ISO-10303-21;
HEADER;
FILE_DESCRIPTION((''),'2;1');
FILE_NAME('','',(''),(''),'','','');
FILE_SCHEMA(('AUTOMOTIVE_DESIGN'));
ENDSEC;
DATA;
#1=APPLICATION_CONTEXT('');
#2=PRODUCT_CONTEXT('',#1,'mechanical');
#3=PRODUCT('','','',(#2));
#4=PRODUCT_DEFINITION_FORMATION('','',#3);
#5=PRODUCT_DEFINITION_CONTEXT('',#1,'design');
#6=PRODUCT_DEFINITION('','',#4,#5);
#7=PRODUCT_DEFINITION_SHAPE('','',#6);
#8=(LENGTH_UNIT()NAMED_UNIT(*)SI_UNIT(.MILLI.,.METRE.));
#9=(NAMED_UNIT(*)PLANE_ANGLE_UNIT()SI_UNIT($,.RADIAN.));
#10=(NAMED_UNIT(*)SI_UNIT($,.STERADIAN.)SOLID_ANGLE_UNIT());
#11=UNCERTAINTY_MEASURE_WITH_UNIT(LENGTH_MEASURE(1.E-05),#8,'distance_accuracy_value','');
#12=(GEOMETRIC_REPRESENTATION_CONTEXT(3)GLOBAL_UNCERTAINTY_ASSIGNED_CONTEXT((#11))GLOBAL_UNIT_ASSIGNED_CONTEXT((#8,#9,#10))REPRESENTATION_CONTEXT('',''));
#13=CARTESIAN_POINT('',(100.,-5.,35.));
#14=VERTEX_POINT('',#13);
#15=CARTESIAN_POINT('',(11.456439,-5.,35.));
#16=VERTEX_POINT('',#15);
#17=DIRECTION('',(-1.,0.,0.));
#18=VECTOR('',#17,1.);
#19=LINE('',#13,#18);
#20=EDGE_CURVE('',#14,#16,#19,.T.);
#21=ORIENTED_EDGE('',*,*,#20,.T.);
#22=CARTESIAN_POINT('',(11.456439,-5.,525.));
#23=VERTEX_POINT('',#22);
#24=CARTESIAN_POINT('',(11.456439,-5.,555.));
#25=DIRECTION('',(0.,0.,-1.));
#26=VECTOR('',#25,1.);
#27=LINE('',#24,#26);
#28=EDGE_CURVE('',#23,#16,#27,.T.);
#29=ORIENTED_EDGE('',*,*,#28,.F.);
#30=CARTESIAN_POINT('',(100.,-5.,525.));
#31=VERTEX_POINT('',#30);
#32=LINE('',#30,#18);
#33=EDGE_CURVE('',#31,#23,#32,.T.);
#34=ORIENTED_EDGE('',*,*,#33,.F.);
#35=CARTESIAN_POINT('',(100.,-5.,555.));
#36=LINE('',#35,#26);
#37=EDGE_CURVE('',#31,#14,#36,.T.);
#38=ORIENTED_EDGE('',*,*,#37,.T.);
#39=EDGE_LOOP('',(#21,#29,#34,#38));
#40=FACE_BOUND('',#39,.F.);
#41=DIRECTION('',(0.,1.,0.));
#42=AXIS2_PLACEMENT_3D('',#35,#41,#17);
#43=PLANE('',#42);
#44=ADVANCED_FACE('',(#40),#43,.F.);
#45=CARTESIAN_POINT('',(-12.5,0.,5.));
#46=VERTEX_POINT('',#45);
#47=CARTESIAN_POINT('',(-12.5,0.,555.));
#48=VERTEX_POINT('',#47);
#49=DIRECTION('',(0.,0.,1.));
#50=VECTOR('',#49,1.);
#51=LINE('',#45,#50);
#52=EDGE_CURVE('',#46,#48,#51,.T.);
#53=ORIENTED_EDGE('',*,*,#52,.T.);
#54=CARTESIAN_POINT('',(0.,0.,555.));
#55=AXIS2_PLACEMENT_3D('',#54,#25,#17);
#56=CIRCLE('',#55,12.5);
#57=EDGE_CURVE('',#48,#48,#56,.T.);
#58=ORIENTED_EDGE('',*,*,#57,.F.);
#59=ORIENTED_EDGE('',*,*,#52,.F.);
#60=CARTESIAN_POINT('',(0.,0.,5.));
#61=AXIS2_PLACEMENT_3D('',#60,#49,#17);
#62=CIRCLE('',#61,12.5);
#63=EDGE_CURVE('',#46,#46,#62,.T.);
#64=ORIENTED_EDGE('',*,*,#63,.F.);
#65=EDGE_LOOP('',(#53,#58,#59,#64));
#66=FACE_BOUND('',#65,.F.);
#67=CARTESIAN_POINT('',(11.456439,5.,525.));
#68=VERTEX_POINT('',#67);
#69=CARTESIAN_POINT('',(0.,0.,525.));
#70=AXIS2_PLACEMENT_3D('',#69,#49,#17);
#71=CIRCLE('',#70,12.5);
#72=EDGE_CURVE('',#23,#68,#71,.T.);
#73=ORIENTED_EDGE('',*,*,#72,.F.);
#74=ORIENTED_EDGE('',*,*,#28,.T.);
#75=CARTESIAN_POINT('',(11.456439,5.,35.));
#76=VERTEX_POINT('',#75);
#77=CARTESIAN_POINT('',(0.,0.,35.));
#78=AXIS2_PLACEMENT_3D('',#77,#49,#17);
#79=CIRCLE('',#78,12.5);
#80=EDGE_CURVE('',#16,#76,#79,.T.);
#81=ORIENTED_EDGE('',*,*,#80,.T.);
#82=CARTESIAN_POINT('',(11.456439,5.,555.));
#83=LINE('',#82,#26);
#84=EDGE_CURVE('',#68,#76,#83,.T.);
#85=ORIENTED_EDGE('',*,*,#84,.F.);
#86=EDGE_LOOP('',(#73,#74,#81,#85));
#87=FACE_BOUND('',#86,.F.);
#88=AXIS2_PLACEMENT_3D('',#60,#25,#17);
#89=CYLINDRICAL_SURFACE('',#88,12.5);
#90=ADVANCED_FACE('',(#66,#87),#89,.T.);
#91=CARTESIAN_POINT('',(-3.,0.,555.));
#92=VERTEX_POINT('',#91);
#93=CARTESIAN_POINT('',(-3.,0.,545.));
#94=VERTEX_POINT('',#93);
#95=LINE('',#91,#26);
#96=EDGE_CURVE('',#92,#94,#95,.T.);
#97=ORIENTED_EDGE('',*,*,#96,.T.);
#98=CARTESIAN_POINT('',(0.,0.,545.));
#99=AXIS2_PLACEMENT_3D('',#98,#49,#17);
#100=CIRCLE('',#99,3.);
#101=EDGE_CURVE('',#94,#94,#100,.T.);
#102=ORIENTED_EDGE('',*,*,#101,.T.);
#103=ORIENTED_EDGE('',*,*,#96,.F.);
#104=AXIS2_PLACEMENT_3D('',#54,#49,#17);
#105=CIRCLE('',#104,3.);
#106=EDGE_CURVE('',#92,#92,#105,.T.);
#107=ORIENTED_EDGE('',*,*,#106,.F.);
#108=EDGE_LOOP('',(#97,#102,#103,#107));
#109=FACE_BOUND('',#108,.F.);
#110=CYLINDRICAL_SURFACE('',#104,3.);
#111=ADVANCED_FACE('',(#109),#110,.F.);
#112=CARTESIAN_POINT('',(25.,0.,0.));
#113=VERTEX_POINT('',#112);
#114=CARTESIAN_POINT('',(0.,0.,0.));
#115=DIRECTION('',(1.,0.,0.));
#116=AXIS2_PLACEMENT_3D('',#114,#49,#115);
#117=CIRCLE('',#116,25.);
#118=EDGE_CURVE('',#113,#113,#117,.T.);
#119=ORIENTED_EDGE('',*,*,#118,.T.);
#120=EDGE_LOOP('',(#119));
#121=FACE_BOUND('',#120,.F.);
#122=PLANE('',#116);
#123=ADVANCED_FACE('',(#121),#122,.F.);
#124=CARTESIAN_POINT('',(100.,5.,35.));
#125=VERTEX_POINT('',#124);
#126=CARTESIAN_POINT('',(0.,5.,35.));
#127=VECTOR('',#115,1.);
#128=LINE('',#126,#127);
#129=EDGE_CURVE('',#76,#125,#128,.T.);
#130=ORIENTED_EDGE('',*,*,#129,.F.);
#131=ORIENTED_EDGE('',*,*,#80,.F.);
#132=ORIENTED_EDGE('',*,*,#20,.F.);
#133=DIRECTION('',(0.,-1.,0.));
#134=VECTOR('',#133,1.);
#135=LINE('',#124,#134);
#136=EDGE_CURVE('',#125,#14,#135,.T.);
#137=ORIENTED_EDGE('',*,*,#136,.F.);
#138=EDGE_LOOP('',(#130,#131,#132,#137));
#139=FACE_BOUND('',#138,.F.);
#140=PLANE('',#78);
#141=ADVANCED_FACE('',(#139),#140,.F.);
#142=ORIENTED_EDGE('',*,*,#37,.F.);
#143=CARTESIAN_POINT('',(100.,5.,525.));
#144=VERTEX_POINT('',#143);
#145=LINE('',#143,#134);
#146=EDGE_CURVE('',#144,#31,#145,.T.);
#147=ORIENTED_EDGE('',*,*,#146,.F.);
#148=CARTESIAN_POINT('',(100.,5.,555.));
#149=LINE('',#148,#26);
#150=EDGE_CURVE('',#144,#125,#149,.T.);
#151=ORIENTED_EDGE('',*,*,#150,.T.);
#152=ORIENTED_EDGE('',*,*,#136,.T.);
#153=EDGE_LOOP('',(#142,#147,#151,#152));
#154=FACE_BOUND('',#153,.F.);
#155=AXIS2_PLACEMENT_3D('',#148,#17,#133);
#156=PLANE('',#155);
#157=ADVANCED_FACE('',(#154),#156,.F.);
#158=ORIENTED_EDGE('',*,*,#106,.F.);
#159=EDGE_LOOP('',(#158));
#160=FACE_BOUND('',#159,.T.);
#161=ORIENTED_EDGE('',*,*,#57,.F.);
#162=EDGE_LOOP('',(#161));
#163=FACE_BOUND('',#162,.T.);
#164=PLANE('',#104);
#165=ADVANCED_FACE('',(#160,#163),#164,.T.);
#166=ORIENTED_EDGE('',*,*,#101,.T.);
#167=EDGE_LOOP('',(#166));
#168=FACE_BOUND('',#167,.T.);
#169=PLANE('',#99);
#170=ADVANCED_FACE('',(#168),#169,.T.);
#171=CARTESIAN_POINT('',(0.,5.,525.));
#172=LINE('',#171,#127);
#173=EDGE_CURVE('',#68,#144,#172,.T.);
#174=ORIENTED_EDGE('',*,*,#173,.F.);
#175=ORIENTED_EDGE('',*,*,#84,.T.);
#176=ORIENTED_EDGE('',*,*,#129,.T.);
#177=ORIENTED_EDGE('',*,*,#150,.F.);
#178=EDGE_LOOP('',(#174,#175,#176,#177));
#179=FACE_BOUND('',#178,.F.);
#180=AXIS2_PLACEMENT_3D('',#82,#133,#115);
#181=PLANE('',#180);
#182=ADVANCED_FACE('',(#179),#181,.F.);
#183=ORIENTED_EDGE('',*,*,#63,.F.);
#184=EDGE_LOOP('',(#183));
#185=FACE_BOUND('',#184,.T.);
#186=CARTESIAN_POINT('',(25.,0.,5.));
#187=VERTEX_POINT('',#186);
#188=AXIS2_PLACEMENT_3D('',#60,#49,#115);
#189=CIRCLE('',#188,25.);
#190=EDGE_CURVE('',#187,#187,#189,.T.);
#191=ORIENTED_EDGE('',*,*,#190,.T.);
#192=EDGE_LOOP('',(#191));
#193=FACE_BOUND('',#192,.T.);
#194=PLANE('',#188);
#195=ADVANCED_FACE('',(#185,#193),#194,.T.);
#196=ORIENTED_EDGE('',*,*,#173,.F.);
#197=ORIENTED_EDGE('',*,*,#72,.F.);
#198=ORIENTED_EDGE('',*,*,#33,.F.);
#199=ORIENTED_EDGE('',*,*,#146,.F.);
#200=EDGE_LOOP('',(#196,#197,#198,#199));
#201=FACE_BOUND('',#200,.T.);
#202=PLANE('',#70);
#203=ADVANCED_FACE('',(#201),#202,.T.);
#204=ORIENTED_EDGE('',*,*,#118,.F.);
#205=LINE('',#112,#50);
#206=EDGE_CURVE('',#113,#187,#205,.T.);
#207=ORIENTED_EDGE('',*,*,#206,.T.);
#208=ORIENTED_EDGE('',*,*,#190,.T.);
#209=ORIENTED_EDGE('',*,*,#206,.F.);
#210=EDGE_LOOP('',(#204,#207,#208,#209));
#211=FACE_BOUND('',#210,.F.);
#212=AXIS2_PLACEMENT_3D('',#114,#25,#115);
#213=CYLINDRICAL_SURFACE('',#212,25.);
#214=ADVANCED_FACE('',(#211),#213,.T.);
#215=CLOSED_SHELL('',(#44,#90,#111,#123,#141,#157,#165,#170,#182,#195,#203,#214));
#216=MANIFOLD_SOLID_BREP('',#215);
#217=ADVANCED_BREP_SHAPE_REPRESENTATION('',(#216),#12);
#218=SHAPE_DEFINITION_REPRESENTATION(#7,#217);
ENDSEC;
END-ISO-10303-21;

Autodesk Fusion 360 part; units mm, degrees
sketch "Sketch1" plane through (0, 0, 0) normal (0, 0, 1) x (1, 0, 0)
  circle A0 centre (0, 0) radius 25
  dimension "d1" = 50
extrude "Extrude1" add sketch "Sketch1" along normal blind 5
sketch "Sketch2" plane through (0, 0, 5) normal (0, 0, 1) x (-1, 0, 0)
  circle A0 centre (0, 0) radius 25
  circle A1 centre (0, 0) radius 12.5
  dimension "d4" = 25
extrude "Extrude2" add sketch "Sketch2" along normal blind 550 contours A1
sketch "Sketch3" plane through (0, 0, 555) normal (0, 0, 1) x (-1, 0, 0)
  circle A0 centre (0, 0) radius 12.5
  line L0 (0, -5) -> (-100, -5)
  line L1 (-100, -5) -> (-100, 5)
  line L2 (-100, 5) -> (0, 5)
  line L3 (0, 5) -> (0, -5)
  dimension "d7" = 100
  dimension "d8" = 10
extrude "Extrude3" add sketch "Sketch3" against normal blind 525 contours A0 L0 L1 L2
extrude "Extrude4" cut sketch "Sketch3" against normal blind 25 contours A0 L0 L1 L2
sketch "Sketch4" plane through (0, 0, 555) normal (0, 0, 1) x (-1, 0, 0)
  circle A0 centre (0, 0) radius 12.5
  circle A1 centre (0, 0) radius 3
  dimension "d13" = 6
extrude "Extrude5" cut sketch "Sketch4" against normal blind 10 contours A1
extrude "Extrude6" cut 1 faces at (70.8333, 0, 530) along direction (0, 0, -1) blind 5
extrude "Extrude7" cut 1 faces at (70.8333, 0, 30) along direction (0, 0, 1) blind 5
